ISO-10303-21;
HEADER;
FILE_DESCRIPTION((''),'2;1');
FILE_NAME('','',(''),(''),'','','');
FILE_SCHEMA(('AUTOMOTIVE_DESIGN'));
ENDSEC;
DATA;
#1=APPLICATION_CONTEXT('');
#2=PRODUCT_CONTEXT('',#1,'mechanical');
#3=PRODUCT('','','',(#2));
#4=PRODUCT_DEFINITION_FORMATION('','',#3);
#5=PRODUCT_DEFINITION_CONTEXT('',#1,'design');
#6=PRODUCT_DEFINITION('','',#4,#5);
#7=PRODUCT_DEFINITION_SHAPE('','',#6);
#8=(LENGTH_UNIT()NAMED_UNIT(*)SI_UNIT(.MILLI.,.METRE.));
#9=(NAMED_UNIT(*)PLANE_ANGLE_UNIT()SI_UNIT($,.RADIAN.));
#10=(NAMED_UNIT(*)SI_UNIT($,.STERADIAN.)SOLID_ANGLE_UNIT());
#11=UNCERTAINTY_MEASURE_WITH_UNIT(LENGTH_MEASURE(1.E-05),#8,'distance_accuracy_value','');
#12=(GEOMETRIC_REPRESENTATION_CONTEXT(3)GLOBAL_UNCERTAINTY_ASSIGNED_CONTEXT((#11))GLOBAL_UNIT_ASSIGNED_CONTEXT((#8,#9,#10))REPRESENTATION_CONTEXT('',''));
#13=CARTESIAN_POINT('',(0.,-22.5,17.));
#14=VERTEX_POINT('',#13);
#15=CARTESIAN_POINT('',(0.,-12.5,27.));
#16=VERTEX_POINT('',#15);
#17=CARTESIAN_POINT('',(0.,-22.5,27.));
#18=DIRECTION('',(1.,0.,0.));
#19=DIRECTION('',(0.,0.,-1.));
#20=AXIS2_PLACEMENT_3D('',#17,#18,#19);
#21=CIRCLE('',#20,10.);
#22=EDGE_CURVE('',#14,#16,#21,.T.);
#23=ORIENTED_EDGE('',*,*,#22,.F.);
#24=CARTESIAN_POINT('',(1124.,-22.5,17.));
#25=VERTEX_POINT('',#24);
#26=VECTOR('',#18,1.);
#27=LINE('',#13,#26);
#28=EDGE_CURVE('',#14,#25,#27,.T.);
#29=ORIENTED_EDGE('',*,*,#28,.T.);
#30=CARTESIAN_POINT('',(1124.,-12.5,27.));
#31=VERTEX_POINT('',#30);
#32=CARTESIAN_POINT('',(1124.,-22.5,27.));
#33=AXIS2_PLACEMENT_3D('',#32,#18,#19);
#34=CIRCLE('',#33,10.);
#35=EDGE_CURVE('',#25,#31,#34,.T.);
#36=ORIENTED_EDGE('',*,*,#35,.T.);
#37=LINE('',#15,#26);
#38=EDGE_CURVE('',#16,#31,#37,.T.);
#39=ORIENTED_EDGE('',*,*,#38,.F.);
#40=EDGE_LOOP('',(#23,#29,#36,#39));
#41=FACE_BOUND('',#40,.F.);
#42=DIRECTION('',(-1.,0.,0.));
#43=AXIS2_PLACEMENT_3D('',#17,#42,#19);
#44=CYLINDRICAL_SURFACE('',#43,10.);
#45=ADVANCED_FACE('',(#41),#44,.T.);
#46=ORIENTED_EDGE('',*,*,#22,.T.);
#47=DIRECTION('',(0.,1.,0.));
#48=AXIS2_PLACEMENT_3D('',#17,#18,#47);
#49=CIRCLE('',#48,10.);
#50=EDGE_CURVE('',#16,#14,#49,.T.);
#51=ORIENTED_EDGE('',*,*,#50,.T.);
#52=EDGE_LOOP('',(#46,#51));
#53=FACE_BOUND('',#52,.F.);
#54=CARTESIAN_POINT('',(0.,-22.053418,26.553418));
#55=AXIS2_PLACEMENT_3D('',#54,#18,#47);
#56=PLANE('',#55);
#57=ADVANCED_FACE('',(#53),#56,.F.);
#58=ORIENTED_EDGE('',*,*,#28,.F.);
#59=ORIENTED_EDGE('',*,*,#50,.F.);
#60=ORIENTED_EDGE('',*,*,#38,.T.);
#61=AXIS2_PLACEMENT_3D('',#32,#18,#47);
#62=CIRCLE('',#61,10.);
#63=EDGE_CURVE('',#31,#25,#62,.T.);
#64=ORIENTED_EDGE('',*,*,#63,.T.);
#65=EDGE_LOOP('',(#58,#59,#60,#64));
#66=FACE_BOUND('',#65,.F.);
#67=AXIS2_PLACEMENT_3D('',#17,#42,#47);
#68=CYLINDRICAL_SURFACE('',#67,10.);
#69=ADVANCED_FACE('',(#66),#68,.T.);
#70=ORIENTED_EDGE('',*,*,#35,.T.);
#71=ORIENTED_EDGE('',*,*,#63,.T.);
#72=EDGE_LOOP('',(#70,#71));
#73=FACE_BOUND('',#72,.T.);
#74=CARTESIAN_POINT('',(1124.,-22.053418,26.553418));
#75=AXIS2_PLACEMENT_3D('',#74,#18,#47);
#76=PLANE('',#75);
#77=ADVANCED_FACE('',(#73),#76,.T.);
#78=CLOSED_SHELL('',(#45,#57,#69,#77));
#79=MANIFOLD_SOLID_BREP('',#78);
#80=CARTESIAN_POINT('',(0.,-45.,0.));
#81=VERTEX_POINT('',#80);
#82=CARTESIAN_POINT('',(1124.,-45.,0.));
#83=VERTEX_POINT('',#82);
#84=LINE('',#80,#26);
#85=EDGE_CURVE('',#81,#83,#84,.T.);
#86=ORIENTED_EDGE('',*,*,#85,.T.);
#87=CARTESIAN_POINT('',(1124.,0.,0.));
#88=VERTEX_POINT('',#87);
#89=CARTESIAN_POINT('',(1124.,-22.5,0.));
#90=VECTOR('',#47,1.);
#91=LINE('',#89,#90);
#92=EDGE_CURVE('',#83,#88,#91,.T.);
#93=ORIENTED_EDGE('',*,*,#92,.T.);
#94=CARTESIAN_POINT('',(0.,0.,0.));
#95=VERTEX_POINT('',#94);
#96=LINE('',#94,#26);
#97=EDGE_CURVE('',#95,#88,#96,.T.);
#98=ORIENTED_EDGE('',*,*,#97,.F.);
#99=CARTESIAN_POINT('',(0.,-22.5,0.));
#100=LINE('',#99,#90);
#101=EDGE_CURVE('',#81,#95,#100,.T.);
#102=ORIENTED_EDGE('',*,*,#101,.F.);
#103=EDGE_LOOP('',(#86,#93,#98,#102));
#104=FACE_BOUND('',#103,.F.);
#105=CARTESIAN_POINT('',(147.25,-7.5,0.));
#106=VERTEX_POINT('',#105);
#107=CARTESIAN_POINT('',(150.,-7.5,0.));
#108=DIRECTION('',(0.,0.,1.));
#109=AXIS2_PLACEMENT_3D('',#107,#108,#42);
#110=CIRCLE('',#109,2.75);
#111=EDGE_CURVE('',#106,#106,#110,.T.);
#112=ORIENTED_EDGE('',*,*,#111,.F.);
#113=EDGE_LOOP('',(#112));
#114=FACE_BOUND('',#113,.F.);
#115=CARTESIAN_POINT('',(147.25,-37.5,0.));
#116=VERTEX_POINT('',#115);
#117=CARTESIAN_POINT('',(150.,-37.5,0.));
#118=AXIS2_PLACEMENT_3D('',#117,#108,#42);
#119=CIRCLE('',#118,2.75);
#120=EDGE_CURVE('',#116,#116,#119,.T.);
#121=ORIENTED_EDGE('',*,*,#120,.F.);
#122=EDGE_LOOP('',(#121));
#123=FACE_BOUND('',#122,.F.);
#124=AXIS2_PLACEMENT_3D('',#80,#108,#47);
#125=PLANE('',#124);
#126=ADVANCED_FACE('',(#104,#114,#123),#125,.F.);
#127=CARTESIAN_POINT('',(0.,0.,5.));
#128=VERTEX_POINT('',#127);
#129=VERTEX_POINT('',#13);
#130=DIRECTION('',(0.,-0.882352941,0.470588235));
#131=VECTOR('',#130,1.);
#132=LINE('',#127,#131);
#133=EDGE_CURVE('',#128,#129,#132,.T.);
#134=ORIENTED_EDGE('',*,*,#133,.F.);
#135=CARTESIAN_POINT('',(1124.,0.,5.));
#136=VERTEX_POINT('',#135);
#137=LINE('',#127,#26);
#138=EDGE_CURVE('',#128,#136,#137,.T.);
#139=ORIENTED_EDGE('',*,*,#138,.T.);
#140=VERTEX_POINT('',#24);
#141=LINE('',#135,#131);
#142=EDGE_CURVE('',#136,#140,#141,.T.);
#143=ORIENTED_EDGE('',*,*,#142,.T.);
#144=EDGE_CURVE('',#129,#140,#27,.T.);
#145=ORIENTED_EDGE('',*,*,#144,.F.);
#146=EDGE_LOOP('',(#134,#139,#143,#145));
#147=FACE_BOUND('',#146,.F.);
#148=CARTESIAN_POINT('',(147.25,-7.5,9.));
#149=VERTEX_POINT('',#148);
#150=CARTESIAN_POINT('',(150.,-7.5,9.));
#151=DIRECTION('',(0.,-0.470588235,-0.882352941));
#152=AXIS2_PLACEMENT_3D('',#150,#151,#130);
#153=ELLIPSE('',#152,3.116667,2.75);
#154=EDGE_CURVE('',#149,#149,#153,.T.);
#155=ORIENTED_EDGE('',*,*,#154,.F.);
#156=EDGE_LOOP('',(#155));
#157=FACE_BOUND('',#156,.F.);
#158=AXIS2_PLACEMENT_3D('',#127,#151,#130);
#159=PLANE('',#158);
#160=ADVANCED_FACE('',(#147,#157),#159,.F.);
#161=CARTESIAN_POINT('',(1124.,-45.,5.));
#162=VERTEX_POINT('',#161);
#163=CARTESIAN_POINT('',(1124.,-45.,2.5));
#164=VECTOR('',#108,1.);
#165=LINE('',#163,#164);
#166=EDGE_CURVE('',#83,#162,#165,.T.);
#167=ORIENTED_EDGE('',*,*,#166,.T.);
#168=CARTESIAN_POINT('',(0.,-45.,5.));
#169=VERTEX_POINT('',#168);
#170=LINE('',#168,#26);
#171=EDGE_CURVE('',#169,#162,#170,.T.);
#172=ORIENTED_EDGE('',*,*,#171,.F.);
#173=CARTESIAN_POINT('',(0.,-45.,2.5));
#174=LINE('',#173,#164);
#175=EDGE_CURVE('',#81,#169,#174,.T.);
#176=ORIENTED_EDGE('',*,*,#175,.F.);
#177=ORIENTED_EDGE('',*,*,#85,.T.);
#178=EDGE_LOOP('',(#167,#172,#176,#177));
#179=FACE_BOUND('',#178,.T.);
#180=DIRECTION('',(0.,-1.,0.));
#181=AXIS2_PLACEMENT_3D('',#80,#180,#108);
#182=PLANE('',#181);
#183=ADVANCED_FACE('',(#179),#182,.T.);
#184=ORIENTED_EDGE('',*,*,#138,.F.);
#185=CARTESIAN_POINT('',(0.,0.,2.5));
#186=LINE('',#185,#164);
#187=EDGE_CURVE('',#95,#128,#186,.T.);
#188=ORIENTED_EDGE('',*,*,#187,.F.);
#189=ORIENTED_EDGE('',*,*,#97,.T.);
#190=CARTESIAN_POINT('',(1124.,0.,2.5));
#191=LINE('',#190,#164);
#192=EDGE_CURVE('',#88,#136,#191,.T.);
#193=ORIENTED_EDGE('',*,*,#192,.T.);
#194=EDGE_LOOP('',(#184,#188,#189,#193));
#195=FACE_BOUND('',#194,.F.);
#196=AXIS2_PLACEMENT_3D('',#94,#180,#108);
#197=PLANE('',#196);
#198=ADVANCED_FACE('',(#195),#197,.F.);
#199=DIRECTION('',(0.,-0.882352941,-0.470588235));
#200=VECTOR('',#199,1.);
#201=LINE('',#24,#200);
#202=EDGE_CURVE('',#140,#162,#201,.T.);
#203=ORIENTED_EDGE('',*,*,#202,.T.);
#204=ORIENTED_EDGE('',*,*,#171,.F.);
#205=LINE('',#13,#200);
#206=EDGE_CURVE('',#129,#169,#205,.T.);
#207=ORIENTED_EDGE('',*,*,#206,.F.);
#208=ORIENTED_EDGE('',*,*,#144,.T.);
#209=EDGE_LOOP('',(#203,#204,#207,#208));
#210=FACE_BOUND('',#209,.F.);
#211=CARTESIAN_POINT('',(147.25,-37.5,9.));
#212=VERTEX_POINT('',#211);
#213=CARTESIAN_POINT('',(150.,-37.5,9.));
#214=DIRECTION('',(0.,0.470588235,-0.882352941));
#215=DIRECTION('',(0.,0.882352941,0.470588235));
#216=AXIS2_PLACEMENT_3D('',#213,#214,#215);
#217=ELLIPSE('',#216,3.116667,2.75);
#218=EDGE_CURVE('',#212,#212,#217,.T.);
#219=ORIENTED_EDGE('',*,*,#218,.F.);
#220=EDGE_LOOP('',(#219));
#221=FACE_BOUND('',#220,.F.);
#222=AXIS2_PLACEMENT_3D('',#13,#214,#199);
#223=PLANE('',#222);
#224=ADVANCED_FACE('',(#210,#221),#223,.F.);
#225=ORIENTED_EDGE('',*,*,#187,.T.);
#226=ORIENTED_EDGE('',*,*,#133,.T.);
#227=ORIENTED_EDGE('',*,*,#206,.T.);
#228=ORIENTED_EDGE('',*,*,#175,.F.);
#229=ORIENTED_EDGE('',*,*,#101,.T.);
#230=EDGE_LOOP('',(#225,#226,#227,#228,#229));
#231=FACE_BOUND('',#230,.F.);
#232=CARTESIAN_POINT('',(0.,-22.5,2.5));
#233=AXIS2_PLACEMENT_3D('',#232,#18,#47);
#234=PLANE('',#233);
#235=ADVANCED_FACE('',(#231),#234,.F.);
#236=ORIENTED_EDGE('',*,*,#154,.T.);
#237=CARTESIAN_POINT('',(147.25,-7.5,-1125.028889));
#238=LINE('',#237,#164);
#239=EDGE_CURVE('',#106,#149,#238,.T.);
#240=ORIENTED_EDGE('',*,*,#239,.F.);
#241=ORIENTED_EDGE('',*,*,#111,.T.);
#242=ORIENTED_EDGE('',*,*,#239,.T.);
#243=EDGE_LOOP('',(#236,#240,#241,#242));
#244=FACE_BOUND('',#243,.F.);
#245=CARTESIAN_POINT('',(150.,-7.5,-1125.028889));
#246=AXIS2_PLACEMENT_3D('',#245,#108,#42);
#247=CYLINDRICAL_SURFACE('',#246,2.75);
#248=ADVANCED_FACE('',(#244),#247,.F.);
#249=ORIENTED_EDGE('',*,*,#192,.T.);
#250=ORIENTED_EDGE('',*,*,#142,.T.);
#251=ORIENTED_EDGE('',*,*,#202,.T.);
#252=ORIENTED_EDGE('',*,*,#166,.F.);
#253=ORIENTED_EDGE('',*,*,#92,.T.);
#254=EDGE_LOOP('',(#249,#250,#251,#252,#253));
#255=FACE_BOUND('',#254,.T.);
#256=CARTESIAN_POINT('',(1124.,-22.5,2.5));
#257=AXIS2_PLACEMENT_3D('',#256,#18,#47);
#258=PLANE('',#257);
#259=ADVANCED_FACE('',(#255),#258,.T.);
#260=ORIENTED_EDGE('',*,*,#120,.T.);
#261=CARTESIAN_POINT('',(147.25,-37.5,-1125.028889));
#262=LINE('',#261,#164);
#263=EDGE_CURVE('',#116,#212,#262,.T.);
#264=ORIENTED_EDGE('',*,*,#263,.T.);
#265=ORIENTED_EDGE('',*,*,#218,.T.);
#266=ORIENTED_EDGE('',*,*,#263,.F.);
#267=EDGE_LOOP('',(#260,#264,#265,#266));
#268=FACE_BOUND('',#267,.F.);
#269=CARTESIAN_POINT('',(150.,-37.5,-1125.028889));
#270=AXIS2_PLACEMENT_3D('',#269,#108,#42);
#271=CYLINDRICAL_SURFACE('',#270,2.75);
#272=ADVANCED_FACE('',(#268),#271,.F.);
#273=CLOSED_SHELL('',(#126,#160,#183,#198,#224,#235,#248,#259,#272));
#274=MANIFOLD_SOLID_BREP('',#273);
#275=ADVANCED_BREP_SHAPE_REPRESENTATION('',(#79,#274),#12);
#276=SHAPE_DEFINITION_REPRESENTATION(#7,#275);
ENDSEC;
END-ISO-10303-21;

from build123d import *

# Parameters (mm, degrees)
F0_W     = 45
F0_H     = 5
F1_DEPTH = 1124
F3_D     = 5.5


with BuildPart() as f1:
    # F0 (on Right) → F1 (new body)
    with BuildSketch(Plane.YZ):
        with Locations((-22.5, 2.5)):
            Rectangle(F0_W, F0_H)
        Polygon((-45, 5), (0, 5), (-22.5, 17), align=None)
    extrude(amount=F1_DEPTH)

    # F3 (through all)
    with Locations(Plane(origin=(0, 0, 0), x_dir=(1, 0, 0), z_dir=(0, 0, -1))):
        with Locations((150, 37.5), (150, 7.5)):
            Hole(F3_D / 2)


with BuildPart() as f1b:
    # F0 (on Right) → F1, piece 2 (new body)
    with BuildSketch(Plane.YZ):
        with BuildLine():
            ThreePointArc((-12.5, 27), (-29.5710678119, 34.0710678119), (-22.5, 17))
            ThreePointArc((-22.5, 17), (-15.4289321881, 19.9289321881), (-12.5, 27))
        make_face()
    extrude(amount=F1_DEPTH)


solid = Compound([f1.part, f1b.part])
